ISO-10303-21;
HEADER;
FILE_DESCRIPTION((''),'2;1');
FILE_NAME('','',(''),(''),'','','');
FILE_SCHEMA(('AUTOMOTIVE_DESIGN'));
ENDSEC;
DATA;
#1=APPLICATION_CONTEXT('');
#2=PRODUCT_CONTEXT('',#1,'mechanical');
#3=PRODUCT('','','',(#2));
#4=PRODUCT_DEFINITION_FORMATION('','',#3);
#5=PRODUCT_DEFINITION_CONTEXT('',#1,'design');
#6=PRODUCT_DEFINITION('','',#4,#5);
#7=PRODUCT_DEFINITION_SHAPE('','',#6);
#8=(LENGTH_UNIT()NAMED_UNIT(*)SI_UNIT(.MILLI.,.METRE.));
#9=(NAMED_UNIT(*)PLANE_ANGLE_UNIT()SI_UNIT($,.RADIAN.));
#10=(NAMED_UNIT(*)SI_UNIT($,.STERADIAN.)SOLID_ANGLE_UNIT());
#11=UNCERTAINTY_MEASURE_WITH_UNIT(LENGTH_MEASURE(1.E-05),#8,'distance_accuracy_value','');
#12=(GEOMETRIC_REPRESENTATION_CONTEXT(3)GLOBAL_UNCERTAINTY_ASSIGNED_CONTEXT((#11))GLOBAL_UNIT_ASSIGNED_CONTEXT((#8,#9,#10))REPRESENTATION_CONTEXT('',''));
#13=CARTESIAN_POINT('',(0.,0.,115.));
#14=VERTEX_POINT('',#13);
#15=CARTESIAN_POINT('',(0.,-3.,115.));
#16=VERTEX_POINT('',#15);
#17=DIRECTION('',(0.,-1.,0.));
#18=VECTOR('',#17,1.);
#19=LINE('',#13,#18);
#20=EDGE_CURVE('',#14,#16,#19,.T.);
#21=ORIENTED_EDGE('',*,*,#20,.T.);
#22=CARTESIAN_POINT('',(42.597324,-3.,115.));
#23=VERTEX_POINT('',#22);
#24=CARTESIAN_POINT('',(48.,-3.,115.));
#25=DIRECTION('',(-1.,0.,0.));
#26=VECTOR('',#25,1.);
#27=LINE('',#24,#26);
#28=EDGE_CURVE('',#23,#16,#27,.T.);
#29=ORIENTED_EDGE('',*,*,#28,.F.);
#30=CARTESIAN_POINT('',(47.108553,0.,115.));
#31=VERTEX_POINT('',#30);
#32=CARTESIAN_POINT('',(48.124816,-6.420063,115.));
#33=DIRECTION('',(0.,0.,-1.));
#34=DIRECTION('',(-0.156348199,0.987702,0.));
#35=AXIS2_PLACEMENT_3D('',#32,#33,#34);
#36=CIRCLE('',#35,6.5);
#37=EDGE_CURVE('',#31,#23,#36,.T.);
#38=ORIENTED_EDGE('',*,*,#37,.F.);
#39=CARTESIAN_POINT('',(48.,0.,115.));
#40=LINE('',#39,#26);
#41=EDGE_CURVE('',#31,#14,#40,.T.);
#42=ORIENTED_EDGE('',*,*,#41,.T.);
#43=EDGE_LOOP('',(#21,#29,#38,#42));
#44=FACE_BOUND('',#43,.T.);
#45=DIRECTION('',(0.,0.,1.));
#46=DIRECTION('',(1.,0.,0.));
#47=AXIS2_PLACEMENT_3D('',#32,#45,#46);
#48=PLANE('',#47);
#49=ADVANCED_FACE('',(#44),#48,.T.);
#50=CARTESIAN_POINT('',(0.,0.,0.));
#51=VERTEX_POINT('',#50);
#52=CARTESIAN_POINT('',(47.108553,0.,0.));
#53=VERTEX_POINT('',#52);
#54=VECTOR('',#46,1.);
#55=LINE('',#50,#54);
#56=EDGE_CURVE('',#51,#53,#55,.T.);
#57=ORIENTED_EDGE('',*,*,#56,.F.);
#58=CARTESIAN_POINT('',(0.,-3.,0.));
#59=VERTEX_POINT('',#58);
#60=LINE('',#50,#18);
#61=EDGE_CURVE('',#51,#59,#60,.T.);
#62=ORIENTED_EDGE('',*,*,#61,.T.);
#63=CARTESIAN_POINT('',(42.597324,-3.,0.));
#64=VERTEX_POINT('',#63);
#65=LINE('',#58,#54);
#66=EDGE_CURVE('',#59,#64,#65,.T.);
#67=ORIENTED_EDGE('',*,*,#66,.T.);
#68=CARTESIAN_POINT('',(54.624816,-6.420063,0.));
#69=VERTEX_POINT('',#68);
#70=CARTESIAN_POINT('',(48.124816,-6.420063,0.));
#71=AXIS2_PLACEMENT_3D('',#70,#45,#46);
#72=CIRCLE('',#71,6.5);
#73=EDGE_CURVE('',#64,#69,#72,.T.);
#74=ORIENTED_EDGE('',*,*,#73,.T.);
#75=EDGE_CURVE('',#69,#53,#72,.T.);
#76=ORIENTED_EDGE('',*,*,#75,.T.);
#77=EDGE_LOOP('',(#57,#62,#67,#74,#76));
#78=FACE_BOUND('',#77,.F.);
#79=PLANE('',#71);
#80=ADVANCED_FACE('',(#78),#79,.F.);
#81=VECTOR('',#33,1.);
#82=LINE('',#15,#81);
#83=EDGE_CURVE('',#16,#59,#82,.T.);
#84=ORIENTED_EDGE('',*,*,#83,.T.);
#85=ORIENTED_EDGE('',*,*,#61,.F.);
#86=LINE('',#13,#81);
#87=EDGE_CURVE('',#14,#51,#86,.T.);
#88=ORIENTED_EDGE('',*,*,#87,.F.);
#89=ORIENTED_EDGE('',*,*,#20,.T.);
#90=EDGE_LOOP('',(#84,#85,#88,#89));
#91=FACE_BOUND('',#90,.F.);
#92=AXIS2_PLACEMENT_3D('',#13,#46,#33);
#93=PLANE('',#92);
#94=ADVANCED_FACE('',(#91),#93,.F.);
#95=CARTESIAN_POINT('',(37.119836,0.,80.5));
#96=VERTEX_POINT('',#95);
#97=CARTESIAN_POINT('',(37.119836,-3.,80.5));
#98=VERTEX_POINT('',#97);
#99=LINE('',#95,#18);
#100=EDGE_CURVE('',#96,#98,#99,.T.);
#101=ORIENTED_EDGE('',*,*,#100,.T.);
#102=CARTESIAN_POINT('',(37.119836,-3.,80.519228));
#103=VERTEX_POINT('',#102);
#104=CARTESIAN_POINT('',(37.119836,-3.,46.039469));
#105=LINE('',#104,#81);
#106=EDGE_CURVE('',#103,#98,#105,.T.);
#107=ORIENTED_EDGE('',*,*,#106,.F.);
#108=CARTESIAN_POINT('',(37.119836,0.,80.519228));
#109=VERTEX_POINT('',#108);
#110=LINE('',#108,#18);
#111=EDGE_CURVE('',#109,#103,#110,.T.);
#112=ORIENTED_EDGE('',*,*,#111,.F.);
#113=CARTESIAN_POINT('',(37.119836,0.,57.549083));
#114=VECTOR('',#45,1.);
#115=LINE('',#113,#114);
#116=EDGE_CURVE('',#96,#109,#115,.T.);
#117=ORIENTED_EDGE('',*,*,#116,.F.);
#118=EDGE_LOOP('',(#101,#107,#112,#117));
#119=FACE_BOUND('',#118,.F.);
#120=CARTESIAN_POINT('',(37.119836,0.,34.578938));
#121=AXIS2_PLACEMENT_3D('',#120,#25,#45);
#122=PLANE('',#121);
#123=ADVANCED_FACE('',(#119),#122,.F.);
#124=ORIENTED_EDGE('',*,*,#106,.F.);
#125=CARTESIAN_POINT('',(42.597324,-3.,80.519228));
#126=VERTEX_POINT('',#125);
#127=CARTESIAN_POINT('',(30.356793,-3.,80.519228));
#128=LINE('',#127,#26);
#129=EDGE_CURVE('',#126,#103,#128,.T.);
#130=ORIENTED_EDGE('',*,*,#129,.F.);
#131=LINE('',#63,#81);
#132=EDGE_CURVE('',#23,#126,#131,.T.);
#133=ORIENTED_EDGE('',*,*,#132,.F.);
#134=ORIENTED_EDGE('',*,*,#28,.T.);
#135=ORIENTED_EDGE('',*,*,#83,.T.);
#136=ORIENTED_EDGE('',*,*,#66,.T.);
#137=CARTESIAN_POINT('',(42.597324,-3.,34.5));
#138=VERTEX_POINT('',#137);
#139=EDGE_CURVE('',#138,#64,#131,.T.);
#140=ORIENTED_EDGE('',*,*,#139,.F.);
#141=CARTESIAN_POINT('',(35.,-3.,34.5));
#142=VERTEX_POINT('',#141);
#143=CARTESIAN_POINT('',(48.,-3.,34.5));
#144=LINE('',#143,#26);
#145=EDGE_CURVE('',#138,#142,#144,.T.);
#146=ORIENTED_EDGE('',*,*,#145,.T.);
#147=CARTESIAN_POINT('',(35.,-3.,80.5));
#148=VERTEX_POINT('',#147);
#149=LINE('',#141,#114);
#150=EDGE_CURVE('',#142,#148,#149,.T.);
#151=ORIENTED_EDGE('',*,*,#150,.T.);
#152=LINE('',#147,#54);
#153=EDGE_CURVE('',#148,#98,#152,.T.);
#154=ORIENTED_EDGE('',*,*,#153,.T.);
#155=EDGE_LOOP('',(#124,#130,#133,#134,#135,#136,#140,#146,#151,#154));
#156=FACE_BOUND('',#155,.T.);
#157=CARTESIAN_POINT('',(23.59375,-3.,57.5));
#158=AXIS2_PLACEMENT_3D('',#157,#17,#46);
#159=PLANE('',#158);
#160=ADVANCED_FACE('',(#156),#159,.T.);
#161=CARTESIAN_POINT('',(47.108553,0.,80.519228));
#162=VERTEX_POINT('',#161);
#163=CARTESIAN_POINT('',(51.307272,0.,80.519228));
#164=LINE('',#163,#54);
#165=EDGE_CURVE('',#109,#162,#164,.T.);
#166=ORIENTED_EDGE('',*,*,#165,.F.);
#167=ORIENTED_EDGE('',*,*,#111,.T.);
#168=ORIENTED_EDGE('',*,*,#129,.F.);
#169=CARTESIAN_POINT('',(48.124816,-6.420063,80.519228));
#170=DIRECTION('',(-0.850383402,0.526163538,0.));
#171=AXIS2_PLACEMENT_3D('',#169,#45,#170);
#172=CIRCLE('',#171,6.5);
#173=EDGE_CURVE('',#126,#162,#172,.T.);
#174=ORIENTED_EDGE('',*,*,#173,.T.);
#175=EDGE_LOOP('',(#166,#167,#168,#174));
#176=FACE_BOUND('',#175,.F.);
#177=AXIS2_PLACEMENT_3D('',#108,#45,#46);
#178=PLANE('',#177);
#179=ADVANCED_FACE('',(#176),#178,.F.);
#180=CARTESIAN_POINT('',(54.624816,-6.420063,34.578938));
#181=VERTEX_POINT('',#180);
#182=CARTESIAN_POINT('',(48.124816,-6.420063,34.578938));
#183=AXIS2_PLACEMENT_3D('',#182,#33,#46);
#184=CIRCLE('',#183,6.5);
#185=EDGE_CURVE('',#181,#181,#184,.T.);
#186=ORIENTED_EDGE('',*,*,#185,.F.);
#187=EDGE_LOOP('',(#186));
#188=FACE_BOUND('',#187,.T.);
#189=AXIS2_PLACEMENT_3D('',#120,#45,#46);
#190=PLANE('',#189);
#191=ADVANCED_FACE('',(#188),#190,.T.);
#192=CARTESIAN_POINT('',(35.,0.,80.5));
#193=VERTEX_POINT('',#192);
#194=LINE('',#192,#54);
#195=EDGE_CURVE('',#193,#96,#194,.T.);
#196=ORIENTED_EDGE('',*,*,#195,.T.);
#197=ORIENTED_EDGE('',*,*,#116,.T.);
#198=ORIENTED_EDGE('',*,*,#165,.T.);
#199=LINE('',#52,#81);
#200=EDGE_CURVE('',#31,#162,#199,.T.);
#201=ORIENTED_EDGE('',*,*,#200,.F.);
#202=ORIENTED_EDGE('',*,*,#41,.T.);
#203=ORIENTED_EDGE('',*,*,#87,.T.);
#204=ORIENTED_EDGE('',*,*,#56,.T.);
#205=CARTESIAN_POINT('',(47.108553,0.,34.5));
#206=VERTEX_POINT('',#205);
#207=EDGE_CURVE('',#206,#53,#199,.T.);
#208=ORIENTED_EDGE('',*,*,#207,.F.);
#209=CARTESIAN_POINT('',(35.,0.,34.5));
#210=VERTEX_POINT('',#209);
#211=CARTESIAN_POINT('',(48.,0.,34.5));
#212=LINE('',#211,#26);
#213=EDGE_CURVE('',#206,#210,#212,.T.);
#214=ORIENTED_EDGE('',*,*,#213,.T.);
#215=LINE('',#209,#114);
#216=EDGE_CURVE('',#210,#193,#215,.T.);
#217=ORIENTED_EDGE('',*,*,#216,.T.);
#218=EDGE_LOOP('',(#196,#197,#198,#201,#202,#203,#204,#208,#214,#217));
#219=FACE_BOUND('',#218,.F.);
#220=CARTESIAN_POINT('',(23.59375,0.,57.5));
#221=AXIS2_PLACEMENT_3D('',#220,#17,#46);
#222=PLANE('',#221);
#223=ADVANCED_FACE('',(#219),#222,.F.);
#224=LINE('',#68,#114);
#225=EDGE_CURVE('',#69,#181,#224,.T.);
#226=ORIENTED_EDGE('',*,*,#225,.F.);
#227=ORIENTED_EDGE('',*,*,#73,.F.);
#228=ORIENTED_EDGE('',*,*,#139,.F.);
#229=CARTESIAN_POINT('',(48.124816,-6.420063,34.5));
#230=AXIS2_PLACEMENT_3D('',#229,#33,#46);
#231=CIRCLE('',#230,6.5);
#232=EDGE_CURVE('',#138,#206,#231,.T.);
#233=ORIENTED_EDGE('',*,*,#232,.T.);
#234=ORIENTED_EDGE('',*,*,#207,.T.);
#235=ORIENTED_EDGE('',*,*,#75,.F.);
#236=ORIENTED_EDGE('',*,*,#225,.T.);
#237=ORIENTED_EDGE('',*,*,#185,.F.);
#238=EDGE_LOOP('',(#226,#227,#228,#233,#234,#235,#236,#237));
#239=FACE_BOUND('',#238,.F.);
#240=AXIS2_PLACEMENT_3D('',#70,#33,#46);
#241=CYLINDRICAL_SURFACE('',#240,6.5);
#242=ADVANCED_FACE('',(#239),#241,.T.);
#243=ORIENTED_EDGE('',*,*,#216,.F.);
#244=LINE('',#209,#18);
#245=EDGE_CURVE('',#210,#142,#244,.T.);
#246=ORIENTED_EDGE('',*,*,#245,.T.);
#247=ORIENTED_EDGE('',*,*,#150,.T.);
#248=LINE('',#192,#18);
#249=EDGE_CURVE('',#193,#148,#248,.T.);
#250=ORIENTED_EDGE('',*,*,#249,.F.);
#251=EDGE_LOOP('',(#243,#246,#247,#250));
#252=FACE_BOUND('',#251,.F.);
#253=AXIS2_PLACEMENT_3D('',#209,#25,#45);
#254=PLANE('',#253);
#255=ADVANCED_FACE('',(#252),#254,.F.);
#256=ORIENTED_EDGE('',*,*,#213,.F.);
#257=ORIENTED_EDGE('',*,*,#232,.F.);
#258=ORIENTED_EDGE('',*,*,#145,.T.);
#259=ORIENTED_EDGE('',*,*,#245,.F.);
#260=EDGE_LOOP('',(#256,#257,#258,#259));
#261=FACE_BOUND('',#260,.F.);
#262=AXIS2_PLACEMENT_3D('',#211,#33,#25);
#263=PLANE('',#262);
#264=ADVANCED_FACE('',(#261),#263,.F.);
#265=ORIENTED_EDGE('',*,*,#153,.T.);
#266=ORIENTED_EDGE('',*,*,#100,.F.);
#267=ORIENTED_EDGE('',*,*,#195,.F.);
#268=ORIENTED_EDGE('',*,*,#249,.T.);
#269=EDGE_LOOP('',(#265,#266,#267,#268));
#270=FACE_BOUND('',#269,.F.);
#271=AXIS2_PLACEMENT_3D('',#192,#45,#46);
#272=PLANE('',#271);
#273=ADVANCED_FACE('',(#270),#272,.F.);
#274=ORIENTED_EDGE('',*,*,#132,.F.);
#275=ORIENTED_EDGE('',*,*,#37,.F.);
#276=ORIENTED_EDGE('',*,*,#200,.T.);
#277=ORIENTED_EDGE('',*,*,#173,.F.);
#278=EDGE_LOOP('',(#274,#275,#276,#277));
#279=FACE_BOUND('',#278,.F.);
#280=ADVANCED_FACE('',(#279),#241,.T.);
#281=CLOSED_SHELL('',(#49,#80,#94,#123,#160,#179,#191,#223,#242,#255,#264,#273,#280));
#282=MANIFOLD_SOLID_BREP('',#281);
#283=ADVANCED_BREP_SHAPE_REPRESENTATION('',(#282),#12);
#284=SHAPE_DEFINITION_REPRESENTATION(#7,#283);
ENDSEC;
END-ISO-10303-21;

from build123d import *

# Parameters (mm, degrees)
F1_DEPTH = 3
F2_R     = 6.5
F3_DEPTH = 115
F4_W     = 28.374873
F4_H     = 45.940291
F5_DEPTH = 25
F6_DEPTH = 25


with BuildPart() as f1:
    # F0 (on Front) → F1 (new body)
    with BuildSketch(Plane.XZ):
        Polygon((0, 115), (0, 0), (48, 0), (48, 34.5), (35, 34.5), (35, 80.5), (48, 80.5), (48, 115), align=None)
    extrude(amount=F1_DEPTH)

    # F2 (on Top) → F3 (join)
    with BuildSketch(Plane.XY):
        with Locations((48.124816, -6.420063)):
            Circle(F2_R)
    extrude(amount=F3_DEPTH)

    # F4 (on Front) → F5 (cut)
    with BuildSketch(Plane.XZ):
        with Locations((51.307272, 57.549083)):
            Rectangle(F4_W, F4_H)
    extrude(amount=F5_DEPTH, mode=Mode.SUBTRACT)

    # F4 (on Front) → F6 (cut)
    with BuildSketch(Plane.XZ):
        with Locations((51.307272, 57.549083)):
            Rectangle(F4_W, F4_H)
    extrude(amount=-F6_DEPTH, mode=Mode.SUBTRACT)


solid = f1.part
